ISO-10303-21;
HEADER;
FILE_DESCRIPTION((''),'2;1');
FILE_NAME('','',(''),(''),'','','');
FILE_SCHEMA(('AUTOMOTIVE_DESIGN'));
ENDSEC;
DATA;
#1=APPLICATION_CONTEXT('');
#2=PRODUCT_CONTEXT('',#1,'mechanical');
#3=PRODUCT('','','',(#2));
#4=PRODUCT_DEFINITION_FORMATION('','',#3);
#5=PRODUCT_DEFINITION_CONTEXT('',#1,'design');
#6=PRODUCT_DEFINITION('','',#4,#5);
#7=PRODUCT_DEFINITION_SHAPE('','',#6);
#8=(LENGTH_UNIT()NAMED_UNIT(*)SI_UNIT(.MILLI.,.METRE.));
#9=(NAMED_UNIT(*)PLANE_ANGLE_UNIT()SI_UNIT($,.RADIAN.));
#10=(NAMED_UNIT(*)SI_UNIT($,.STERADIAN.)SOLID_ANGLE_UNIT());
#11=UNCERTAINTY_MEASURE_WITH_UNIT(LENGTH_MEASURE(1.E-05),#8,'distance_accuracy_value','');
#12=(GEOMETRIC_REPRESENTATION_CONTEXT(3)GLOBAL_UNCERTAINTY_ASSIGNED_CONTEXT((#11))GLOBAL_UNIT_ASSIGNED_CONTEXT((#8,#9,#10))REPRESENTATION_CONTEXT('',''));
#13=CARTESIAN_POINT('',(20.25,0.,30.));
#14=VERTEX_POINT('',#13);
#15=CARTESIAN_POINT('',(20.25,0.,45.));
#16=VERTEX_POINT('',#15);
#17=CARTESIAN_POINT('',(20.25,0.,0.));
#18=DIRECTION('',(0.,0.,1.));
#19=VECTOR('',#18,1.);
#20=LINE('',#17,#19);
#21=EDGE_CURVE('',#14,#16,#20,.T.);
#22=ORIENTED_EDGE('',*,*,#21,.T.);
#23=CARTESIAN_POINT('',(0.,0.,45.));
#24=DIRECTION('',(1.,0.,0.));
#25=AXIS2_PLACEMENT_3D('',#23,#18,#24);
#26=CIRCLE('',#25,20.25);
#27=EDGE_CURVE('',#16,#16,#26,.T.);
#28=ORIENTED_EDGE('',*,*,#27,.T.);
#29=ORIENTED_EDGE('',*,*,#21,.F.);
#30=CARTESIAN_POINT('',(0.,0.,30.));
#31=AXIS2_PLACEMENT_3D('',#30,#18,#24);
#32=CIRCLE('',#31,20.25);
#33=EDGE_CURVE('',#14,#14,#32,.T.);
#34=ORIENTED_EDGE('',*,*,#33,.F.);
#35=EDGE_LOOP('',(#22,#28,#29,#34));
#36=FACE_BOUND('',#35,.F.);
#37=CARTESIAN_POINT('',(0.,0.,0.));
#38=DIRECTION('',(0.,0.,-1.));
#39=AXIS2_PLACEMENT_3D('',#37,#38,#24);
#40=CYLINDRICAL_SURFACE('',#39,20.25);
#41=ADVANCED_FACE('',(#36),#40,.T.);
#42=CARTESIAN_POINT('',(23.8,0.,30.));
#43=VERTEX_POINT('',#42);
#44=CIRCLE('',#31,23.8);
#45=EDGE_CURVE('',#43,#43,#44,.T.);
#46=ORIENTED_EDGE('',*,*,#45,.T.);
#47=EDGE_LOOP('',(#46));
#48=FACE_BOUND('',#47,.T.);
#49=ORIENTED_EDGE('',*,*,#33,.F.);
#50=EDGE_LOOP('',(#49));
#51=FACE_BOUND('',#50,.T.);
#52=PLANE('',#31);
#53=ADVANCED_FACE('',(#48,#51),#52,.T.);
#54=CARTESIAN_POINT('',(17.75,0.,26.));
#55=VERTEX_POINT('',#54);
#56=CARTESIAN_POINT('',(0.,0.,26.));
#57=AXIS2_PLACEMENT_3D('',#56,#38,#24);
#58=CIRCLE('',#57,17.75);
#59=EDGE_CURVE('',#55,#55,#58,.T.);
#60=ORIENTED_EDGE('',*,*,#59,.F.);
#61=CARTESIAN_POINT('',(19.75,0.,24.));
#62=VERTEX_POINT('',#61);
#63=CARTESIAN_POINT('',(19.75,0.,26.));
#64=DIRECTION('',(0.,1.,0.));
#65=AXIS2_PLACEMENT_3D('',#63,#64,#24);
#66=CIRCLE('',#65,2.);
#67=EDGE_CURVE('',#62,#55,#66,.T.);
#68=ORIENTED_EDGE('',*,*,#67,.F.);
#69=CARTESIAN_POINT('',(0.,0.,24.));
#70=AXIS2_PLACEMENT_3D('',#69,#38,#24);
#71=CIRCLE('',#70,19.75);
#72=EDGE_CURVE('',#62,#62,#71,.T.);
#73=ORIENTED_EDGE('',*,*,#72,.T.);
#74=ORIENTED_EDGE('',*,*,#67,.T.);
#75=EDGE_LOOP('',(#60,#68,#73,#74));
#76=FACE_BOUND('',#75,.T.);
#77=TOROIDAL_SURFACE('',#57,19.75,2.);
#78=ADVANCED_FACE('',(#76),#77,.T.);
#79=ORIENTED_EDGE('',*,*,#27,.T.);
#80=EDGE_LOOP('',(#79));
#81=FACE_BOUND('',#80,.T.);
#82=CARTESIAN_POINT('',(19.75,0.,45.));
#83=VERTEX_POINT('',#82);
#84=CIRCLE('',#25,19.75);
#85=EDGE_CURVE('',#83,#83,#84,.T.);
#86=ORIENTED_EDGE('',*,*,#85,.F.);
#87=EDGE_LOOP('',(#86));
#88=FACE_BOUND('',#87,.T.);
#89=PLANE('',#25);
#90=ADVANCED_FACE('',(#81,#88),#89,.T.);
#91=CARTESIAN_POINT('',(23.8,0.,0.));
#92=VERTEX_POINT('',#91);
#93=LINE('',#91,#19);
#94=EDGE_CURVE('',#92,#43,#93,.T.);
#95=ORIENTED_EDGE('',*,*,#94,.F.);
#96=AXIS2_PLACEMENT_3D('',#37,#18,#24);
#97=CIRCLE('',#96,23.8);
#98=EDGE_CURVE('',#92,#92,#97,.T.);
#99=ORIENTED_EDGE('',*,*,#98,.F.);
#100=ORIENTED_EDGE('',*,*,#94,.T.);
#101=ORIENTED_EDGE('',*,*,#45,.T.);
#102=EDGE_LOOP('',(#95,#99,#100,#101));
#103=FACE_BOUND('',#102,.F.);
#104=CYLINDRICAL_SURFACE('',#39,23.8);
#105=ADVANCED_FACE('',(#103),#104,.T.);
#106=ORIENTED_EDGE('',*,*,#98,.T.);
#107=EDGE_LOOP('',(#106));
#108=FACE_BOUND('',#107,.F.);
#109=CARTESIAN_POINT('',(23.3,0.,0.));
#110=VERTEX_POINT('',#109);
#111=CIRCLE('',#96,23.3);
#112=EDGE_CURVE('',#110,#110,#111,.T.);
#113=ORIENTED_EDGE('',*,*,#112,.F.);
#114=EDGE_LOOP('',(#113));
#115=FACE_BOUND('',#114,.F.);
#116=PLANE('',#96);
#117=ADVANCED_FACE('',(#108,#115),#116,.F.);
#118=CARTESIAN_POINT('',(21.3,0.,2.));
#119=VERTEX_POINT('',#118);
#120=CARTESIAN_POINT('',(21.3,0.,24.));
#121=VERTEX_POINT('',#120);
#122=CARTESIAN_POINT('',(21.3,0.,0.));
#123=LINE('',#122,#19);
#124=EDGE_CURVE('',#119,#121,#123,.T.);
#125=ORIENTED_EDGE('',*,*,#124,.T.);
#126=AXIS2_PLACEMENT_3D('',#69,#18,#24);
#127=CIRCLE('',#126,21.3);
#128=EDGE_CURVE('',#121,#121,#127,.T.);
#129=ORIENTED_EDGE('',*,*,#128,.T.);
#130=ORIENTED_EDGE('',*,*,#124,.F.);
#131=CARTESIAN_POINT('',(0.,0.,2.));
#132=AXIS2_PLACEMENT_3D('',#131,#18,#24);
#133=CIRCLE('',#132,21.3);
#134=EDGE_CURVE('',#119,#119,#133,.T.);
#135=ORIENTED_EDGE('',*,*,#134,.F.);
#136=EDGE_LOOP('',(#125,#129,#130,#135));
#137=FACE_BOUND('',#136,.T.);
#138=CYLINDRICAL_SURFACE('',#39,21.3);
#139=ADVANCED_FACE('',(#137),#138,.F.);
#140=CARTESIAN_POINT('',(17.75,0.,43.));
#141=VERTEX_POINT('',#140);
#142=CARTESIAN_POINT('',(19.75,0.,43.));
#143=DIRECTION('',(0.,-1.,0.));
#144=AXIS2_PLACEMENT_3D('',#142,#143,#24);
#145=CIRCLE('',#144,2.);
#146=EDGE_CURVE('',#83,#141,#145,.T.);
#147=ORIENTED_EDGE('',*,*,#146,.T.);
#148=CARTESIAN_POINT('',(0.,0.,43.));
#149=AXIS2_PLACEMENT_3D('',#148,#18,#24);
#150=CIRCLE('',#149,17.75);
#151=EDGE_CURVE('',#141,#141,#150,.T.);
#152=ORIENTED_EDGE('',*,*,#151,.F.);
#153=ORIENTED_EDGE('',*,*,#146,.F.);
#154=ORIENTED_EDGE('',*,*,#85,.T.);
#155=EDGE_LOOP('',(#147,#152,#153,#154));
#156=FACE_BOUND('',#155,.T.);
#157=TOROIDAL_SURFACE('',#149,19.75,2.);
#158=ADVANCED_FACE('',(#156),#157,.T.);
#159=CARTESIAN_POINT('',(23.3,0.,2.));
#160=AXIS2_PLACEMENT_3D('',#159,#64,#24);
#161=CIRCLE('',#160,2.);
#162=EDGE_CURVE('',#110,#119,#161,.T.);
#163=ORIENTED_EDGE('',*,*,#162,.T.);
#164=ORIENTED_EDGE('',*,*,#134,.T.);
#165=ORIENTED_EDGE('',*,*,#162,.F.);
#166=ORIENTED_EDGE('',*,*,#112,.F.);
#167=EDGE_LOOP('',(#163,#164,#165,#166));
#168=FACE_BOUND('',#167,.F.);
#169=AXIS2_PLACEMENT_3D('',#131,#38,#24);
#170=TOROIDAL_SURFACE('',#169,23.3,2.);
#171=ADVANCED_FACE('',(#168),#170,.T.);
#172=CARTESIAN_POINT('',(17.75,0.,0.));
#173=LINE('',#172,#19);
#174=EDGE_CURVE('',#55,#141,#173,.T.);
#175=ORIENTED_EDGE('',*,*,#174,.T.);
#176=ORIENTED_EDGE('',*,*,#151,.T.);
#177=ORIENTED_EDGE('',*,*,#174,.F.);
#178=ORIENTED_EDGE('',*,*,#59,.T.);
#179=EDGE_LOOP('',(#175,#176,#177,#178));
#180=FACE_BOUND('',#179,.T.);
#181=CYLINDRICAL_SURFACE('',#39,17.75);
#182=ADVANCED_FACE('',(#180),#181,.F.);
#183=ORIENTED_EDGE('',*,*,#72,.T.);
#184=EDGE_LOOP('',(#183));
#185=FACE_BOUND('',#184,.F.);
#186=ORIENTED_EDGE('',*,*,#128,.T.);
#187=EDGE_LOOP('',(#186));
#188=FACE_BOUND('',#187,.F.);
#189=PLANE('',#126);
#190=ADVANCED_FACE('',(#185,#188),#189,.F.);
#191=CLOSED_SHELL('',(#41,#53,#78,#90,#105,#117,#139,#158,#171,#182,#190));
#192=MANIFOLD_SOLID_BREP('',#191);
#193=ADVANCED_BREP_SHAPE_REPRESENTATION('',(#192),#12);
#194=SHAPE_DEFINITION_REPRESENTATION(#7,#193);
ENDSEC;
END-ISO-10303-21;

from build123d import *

# Parameters (mm, degrees)
F0_R     = 20.25
F0_R_2   = 17.75
F1_DEPTH = 45
F0_R_3   = 23.8
F2_DEPTH = 30
F3_R     = 21.3
F4_DEPTH = 24
F5_R     = 2


with BuildPart() as f1:
    # F0 (on Top) → F1 (new body)
    with BuildSketch(Plane.XY):
        Circle(F0_R)
        Circle(F0_R_2, mode=Mode.SUBTRACT)
    extrude(amount=F1_DEPTH)

    # F0 (on Top) → F2 (join)
    with BuildSketch(Plane.XY):
        Circle(F0_R_3)
        Circle(F0_R, mode=Mode.SUBTRACT)
    extrude(amount=F2_DEPTH)

    # F3 (on Top) → F4 (cut)
    with BuildSketch(Plane.XY):
        Circle(F3_R)
    extrude(amount=F4_DEPTH, mode=Mode.SUBTRACT)

    # F5
    f5_edges = [f1.edges().sort_by_distance(p)[0] for p in [
        (-17.75, 0, 24),
        (-21.3, 0, 0),
        (-17.75, 0, 45),
    ]]
    fillet(f5_edges, radius=F5_R)


solid = f1.part
